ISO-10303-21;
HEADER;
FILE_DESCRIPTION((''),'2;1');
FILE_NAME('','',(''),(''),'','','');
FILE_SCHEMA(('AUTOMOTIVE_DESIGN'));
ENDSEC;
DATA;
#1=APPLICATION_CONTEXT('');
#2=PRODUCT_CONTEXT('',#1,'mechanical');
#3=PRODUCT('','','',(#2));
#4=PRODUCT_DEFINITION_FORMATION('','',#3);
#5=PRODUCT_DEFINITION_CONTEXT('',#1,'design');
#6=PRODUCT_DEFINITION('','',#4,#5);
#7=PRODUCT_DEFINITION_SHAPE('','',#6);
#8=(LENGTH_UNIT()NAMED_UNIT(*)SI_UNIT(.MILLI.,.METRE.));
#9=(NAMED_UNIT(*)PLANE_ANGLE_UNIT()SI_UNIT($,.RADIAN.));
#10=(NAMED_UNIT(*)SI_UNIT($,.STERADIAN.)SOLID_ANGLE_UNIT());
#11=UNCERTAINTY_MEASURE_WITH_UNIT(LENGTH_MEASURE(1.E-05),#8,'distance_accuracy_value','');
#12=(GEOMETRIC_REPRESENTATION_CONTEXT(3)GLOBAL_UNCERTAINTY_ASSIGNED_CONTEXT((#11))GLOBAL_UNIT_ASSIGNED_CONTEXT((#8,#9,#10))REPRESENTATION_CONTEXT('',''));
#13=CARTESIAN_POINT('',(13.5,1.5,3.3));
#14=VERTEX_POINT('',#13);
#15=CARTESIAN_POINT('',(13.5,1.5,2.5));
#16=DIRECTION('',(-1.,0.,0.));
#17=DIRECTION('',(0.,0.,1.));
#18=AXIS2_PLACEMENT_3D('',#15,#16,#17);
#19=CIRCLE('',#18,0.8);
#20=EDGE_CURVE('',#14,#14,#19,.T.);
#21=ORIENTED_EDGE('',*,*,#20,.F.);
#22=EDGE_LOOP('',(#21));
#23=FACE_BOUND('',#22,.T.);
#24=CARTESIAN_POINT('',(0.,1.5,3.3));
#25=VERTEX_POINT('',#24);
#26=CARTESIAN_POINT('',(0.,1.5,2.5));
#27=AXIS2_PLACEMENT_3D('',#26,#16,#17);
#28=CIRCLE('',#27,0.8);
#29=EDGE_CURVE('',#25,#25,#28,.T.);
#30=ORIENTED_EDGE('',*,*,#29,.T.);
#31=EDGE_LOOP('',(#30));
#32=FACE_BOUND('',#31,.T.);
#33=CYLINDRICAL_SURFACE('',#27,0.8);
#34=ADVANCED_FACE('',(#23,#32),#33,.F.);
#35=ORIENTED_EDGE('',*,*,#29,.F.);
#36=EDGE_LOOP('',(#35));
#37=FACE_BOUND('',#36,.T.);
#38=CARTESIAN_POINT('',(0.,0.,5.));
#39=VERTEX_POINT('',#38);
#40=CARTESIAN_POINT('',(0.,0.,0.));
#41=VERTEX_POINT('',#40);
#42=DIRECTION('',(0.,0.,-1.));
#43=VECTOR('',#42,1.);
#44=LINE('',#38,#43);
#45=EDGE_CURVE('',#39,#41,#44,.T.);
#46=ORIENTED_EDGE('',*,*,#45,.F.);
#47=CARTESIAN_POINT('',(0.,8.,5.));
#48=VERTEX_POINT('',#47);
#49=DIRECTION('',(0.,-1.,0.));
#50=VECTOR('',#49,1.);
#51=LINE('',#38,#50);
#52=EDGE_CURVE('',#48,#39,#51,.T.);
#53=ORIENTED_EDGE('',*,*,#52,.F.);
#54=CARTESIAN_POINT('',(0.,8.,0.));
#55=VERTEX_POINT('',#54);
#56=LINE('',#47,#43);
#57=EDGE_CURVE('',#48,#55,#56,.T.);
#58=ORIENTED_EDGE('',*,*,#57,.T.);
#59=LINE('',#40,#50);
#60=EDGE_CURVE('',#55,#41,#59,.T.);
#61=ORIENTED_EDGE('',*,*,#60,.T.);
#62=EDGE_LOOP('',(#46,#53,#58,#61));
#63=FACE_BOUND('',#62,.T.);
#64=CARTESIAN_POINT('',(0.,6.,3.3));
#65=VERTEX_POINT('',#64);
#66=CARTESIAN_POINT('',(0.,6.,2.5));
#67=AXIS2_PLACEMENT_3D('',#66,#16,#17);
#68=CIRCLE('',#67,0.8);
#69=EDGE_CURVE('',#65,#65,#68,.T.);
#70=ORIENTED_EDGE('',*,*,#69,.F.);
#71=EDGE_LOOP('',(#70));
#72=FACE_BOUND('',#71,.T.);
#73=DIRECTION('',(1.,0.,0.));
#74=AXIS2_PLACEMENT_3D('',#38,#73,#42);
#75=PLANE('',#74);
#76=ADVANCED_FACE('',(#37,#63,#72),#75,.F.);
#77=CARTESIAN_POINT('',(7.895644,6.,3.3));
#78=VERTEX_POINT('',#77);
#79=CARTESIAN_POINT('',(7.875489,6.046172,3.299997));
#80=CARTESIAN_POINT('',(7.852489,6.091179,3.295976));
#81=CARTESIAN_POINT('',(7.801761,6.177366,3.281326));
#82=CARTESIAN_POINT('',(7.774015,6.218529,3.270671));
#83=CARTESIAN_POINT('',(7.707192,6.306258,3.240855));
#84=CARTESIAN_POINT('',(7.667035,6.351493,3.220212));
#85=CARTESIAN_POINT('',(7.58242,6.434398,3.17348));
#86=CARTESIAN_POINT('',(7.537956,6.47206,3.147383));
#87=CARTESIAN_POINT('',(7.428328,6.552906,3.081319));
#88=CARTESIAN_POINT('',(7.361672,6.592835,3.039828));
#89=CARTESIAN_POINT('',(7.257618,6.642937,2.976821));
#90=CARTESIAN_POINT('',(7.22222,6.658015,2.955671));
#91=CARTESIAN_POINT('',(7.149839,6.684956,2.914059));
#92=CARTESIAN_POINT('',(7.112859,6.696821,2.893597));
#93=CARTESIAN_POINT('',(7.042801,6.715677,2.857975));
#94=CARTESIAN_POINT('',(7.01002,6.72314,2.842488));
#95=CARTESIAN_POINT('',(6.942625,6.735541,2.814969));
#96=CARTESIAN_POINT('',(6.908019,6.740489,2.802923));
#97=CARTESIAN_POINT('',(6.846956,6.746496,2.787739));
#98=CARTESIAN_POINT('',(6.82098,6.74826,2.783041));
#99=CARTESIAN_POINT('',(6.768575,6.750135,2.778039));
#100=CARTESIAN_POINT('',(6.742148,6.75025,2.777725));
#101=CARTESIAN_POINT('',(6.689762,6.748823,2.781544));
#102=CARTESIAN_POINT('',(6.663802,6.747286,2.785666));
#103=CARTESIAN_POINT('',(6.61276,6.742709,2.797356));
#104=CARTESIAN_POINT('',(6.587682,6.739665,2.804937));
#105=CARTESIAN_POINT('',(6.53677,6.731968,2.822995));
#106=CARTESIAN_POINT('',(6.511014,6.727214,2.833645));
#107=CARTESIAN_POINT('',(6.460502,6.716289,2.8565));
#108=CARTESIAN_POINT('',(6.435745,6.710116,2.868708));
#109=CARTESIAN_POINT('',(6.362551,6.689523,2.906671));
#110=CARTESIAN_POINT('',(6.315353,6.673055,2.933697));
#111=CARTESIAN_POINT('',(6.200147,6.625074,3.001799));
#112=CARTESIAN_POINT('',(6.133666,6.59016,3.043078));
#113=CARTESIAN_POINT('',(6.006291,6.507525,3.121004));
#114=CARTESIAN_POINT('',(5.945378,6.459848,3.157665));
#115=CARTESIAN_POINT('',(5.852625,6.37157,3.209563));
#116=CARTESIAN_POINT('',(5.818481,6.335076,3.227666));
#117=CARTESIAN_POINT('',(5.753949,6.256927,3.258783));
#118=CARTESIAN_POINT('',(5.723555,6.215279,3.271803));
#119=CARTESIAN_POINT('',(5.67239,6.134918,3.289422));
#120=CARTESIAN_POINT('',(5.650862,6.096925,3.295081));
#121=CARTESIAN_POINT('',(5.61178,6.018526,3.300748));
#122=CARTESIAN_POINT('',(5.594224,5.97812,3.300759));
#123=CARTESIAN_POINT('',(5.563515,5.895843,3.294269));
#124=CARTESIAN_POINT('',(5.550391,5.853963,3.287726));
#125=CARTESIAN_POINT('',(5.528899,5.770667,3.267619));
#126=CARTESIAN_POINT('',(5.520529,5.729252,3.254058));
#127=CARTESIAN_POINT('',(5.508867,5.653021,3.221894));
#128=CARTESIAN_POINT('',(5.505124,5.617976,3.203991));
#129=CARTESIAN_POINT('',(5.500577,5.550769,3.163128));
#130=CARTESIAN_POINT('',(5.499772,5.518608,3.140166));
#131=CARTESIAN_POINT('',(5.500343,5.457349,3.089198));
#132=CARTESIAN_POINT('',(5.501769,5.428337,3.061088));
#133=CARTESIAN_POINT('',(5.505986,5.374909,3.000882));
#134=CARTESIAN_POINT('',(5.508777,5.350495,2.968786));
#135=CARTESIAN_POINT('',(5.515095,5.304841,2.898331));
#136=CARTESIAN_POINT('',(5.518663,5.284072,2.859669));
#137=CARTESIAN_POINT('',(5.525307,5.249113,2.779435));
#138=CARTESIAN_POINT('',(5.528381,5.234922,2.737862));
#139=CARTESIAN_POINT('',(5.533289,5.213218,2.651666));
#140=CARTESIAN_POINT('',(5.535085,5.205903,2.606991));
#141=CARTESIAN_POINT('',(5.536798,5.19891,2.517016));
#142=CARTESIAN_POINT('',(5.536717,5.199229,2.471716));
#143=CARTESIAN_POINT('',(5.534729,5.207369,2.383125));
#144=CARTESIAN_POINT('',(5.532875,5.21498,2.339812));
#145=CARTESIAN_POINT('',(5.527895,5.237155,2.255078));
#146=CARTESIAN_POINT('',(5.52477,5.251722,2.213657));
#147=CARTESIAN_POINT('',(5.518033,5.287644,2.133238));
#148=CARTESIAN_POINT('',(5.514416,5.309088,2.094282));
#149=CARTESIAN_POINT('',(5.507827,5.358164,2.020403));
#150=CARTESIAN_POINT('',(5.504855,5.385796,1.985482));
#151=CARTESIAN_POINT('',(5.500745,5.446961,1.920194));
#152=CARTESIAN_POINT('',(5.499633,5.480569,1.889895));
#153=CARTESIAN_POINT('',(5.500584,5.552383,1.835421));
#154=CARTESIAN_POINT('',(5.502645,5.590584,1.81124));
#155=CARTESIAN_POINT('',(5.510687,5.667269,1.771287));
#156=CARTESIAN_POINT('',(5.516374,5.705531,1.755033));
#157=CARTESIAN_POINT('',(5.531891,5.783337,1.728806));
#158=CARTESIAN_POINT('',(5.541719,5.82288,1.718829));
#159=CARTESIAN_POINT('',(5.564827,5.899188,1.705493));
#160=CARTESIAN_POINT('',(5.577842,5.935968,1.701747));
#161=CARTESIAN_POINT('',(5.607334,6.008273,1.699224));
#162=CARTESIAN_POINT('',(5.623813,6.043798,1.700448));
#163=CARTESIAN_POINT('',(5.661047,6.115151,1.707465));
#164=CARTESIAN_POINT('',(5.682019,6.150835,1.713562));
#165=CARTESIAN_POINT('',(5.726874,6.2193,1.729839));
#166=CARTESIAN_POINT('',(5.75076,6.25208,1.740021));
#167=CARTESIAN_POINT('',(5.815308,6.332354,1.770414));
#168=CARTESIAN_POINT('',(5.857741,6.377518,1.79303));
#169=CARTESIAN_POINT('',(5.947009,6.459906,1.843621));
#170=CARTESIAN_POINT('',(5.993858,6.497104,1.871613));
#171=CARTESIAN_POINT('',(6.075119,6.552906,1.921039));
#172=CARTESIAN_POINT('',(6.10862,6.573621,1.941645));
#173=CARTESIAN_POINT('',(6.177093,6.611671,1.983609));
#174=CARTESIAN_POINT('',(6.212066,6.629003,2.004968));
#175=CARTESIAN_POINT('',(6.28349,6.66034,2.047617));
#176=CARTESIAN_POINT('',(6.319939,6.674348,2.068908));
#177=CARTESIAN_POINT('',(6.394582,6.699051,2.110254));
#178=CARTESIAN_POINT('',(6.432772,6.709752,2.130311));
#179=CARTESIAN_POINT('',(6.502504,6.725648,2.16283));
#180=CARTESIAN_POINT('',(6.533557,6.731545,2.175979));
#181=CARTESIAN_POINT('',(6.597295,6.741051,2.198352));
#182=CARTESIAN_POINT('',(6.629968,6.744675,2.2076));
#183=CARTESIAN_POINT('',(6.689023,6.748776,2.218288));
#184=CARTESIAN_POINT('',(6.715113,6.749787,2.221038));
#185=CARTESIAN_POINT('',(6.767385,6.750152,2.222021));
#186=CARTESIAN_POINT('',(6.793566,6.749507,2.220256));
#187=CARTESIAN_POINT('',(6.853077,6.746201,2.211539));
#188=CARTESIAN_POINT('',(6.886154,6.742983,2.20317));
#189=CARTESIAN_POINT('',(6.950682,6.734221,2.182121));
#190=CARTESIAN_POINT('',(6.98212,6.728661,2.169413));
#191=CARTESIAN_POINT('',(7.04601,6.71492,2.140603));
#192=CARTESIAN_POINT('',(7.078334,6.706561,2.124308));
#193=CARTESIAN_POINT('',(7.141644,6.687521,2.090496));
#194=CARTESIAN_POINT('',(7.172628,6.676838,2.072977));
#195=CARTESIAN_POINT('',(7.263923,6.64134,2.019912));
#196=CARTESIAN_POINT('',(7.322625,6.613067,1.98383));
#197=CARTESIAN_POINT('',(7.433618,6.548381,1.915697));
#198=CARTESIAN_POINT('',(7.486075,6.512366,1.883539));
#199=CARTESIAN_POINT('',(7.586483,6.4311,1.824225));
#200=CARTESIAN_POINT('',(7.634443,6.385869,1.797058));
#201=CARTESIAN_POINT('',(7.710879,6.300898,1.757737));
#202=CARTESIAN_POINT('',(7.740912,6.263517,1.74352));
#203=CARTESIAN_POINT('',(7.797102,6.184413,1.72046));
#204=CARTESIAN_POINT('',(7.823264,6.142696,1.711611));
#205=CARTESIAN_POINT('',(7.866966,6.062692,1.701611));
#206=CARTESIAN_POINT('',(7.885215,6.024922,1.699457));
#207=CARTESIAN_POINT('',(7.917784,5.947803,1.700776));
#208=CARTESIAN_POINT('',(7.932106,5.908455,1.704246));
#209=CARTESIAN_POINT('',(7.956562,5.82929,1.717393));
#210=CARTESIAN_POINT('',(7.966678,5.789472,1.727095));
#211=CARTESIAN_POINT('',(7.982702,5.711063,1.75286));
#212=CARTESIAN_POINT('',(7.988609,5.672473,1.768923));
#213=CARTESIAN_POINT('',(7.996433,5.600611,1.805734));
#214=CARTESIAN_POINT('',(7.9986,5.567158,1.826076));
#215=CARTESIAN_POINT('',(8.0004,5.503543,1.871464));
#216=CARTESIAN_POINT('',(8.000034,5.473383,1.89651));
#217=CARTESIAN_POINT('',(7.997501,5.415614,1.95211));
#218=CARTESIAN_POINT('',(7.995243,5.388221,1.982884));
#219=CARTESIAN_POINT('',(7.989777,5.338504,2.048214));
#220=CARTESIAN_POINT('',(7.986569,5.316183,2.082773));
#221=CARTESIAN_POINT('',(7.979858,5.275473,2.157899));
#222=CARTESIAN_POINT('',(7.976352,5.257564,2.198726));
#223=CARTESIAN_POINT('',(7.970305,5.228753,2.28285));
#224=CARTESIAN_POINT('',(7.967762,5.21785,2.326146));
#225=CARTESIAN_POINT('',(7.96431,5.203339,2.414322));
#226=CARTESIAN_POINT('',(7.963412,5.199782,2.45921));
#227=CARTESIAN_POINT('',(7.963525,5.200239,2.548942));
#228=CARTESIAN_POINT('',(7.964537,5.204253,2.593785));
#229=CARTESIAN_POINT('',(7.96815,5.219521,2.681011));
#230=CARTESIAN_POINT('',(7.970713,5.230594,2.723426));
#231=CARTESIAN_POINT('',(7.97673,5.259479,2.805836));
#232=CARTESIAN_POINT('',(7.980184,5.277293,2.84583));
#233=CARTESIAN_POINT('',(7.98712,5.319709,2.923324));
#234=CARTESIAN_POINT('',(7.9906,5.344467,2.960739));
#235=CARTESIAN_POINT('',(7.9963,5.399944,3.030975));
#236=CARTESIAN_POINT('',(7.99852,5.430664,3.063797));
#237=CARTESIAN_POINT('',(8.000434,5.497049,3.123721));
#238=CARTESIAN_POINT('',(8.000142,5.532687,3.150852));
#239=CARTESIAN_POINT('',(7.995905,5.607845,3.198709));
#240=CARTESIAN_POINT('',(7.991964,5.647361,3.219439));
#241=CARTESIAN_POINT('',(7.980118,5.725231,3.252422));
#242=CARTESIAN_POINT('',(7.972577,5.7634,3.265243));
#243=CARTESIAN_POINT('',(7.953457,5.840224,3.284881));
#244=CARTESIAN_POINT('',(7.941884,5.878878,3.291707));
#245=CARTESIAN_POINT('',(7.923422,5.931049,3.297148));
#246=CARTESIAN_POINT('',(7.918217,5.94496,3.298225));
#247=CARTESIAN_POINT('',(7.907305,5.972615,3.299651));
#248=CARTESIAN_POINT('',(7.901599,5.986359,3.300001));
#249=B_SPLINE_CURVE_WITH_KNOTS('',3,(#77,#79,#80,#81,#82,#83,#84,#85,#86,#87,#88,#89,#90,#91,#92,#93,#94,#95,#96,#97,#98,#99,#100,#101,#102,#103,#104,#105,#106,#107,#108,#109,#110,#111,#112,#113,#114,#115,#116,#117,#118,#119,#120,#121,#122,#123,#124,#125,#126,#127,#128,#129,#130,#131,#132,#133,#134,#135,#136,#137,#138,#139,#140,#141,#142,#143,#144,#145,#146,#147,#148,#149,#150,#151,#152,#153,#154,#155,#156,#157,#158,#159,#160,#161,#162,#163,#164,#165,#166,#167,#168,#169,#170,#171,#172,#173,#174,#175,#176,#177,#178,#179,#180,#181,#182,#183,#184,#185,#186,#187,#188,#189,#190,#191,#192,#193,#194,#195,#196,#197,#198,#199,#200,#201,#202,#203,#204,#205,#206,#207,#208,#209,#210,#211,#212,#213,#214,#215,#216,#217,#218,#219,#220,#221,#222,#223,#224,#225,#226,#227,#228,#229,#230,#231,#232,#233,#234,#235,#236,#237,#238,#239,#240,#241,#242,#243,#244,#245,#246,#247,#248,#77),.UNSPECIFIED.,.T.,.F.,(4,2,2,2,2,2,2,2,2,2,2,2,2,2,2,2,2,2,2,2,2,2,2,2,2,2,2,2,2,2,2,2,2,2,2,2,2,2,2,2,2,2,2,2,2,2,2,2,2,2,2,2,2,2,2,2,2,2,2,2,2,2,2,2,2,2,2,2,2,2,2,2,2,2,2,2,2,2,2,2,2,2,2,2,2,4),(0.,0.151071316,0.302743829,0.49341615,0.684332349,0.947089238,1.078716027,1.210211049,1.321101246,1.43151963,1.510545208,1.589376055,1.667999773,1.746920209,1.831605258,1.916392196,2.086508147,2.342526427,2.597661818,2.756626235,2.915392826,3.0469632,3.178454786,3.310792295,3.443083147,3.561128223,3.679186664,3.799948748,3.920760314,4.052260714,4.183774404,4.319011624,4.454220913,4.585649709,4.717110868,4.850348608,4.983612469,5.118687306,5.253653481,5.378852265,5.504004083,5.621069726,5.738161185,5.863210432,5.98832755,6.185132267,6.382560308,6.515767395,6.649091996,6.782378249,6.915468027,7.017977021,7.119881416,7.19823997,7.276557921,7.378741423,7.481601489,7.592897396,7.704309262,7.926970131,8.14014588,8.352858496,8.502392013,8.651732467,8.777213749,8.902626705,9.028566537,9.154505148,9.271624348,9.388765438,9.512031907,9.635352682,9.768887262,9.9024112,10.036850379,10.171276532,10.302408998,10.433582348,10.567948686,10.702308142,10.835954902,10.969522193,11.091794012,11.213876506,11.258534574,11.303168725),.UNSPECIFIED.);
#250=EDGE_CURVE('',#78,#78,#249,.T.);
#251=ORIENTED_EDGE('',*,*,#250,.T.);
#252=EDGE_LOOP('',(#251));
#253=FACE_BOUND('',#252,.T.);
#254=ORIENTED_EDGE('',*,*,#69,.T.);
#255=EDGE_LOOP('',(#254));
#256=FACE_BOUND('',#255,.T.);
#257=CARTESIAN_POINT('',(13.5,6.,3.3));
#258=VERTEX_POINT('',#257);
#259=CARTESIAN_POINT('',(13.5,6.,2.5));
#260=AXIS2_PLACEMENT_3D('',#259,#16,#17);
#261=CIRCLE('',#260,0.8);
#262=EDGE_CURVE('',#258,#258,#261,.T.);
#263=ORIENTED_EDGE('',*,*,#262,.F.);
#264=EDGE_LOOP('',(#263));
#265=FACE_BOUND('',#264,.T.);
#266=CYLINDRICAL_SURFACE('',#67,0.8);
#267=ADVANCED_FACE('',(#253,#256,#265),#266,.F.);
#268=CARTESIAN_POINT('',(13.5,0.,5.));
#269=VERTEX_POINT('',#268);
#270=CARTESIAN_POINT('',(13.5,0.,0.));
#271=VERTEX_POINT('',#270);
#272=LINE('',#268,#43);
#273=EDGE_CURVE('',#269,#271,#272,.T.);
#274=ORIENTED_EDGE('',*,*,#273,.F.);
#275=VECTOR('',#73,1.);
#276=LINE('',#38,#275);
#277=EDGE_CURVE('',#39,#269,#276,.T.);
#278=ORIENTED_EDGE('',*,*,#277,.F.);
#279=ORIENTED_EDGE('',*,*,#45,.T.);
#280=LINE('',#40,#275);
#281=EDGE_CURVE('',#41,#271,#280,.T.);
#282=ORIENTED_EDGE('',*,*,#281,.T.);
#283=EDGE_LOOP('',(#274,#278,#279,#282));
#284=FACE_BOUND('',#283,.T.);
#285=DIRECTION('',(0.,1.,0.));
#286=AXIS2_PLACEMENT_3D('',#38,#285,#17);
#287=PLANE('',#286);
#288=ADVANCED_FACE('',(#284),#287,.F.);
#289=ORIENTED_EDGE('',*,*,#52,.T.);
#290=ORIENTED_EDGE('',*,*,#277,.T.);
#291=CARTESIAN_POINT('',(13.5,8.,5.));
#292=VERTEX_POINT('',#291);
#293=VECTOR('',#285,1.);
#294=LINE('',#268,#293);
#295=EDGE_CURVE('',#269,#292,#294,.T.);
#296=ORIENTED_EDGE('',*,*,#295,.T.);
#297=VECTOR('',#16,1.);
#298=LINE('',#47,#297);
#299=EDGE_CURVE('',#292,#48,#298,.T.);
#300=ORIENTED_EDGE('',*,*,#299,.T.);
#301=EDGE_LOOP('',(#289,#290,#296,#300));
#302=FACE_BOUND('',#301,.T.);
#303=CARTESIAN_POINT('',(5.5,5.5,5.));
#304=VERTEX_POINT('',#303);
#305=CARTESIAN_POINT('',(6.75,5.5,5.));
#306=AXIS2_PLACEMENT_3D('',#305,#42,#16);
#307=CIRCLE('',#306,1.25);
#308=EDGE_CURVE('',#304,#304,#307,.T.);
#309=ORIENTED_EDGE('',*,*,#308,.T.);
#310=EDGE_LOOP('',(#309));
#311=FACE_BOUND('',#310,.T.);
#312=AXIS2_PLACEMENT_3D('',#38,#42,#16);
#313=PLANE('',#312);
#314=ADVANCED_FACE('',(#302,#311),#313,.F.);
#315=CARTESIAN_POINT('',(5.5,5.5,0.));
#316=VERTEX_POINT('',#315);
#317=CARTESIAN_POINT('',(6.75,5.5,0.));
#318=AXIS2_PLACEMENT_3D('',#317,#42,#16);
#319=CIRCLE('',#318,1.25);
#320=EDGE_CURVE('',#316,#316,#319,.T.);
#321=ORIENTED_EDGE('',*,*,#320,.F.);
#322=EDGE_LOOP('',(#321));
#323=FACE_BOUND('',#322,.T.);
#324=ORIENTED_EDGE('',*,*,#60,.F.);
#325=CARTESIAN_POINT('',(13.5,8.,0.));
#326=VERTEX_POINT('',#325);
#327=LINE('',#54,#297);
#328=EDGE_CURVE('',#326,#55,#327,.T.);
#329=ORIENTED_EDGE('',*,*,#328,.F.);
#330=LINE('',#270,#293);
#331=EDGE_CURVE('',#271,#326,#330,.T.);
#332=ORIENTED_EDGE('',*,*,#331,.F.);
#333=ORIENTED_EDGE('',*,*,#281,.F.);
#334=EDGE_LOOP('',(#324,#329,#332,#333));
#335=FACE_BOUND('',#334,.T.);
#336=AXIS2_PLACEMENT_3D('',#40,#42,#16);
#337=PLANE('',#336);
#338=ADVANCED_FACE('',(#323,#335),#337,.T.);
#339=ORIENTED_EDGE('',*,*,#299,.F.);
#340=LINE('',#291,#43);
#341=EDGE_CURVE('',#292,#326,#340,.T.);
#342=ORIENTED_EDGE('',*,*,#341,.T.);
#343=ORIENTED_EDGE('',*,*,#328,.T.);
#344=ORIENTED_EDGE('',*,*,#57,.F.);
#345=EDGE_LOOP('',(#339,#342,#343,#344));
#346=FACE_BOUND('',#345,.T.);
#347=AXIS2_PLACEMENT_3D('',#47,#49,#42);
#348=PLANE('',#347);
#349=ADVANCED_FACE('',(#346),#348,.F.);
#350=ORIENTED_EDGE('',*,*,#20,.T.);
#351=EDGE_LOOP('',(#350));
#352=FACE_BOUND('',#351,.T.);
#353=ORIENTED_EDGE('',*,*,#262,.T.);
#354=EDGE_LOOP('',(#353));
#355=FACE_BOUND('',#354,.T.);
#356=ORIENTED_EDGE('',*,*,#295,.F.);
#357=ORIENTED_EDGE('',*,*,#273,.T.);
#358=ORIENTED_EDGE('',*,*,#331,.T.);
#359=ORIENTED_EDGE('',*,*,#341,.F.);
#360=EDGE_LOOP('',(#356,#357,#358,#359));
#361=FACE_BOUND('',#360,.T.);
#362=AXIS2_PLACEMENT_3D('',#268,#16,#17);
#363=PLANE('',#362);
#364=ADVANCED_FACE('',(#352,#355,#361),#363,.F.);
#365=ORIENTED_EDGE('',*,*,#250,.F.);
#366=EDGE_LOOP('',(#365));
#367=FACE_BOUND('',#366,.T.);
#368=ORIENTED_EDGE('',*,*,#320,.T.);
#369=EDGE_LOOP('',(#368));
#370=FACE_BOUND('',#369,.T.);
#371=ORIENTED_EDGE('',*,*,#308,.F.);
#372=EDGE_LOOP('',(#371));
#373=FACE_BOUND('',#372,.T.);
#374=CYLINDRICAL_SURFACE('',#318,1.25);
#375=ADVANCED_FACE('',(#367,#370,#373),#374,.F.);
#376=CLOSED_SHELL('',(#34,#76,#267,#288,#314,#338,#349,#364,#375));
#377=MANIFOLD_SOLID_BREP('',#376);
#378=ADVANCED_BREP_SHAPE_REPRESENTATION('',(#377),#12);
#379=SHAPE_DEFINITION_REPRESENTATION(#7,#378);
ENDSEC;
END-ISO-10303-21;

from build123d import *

# Parameters (mm, degrees)
ESQUISSE1_W                               = 13.5
ESQUISSE1_H                               = 8
BOSS_EXTRU_1_DEPTH                        = 5
TROU_POUR_TARAUDAGE_POUR_TROU_TARAUD_M2_D = 1.6
KERNLOCH_F_R_M3_GEWINDE1_D                = 2.5
KERNLOCH_F_R_M3_GEWINDE1_DEPTH            = 5
KERNLOCH_F_R_M3_GEWINDE1_TIP              = 0.751075774


with BuildPart() as part:
    # Esquisse1 → Boss.-Extru.1 (new body)
    with BuildSketch(Plane.XY):
        with Locations((6.75, 4)):
            Rectangle(ESQUISSE1_W, ESQUISSE1_H)
    extrude(amount=BOSS_EXTRU_1_DEPTH)

    # Trou pour taraudage pour trou taraudé M21 (through all)
    with Locations(Plane.ZY):
        with Locations((2.5, 6), (2.5, 1.5)):
            Hole(TROU_POUR_TARAUDAGE_POUR_TROU_TARAUD_M2_D / 2)

    # Kernloch für M3 Gewinde1
    with Locations(Plane(origin=(0, 0, 0), x_dir=(-1, 0, 0), z_dir=(0, 0, -1))):
        with Locations((-6.75, 5.5)):
            Hole(KERNLOCH_F_R_M3_GEWINDE1_D / 2, depth=KERNLOCH_F_R_M3_GEWINDE1_DEPTH)
            with Locations((0, 0, -(KERNLOCH_F_R_M3_GEWINDE1_DEPTH + KERNLOCH_F_R_M3_GEWINDE1_TIP / 2))):  # 118° drill point
                Cone(0, KERNLOCH_F_R_M3_GEWINDE1_D / 2, KERNLOCH_F_R_M3_GEWINDE1_TIP, mode=Mode.SUBTRACT)


solid = part.part
